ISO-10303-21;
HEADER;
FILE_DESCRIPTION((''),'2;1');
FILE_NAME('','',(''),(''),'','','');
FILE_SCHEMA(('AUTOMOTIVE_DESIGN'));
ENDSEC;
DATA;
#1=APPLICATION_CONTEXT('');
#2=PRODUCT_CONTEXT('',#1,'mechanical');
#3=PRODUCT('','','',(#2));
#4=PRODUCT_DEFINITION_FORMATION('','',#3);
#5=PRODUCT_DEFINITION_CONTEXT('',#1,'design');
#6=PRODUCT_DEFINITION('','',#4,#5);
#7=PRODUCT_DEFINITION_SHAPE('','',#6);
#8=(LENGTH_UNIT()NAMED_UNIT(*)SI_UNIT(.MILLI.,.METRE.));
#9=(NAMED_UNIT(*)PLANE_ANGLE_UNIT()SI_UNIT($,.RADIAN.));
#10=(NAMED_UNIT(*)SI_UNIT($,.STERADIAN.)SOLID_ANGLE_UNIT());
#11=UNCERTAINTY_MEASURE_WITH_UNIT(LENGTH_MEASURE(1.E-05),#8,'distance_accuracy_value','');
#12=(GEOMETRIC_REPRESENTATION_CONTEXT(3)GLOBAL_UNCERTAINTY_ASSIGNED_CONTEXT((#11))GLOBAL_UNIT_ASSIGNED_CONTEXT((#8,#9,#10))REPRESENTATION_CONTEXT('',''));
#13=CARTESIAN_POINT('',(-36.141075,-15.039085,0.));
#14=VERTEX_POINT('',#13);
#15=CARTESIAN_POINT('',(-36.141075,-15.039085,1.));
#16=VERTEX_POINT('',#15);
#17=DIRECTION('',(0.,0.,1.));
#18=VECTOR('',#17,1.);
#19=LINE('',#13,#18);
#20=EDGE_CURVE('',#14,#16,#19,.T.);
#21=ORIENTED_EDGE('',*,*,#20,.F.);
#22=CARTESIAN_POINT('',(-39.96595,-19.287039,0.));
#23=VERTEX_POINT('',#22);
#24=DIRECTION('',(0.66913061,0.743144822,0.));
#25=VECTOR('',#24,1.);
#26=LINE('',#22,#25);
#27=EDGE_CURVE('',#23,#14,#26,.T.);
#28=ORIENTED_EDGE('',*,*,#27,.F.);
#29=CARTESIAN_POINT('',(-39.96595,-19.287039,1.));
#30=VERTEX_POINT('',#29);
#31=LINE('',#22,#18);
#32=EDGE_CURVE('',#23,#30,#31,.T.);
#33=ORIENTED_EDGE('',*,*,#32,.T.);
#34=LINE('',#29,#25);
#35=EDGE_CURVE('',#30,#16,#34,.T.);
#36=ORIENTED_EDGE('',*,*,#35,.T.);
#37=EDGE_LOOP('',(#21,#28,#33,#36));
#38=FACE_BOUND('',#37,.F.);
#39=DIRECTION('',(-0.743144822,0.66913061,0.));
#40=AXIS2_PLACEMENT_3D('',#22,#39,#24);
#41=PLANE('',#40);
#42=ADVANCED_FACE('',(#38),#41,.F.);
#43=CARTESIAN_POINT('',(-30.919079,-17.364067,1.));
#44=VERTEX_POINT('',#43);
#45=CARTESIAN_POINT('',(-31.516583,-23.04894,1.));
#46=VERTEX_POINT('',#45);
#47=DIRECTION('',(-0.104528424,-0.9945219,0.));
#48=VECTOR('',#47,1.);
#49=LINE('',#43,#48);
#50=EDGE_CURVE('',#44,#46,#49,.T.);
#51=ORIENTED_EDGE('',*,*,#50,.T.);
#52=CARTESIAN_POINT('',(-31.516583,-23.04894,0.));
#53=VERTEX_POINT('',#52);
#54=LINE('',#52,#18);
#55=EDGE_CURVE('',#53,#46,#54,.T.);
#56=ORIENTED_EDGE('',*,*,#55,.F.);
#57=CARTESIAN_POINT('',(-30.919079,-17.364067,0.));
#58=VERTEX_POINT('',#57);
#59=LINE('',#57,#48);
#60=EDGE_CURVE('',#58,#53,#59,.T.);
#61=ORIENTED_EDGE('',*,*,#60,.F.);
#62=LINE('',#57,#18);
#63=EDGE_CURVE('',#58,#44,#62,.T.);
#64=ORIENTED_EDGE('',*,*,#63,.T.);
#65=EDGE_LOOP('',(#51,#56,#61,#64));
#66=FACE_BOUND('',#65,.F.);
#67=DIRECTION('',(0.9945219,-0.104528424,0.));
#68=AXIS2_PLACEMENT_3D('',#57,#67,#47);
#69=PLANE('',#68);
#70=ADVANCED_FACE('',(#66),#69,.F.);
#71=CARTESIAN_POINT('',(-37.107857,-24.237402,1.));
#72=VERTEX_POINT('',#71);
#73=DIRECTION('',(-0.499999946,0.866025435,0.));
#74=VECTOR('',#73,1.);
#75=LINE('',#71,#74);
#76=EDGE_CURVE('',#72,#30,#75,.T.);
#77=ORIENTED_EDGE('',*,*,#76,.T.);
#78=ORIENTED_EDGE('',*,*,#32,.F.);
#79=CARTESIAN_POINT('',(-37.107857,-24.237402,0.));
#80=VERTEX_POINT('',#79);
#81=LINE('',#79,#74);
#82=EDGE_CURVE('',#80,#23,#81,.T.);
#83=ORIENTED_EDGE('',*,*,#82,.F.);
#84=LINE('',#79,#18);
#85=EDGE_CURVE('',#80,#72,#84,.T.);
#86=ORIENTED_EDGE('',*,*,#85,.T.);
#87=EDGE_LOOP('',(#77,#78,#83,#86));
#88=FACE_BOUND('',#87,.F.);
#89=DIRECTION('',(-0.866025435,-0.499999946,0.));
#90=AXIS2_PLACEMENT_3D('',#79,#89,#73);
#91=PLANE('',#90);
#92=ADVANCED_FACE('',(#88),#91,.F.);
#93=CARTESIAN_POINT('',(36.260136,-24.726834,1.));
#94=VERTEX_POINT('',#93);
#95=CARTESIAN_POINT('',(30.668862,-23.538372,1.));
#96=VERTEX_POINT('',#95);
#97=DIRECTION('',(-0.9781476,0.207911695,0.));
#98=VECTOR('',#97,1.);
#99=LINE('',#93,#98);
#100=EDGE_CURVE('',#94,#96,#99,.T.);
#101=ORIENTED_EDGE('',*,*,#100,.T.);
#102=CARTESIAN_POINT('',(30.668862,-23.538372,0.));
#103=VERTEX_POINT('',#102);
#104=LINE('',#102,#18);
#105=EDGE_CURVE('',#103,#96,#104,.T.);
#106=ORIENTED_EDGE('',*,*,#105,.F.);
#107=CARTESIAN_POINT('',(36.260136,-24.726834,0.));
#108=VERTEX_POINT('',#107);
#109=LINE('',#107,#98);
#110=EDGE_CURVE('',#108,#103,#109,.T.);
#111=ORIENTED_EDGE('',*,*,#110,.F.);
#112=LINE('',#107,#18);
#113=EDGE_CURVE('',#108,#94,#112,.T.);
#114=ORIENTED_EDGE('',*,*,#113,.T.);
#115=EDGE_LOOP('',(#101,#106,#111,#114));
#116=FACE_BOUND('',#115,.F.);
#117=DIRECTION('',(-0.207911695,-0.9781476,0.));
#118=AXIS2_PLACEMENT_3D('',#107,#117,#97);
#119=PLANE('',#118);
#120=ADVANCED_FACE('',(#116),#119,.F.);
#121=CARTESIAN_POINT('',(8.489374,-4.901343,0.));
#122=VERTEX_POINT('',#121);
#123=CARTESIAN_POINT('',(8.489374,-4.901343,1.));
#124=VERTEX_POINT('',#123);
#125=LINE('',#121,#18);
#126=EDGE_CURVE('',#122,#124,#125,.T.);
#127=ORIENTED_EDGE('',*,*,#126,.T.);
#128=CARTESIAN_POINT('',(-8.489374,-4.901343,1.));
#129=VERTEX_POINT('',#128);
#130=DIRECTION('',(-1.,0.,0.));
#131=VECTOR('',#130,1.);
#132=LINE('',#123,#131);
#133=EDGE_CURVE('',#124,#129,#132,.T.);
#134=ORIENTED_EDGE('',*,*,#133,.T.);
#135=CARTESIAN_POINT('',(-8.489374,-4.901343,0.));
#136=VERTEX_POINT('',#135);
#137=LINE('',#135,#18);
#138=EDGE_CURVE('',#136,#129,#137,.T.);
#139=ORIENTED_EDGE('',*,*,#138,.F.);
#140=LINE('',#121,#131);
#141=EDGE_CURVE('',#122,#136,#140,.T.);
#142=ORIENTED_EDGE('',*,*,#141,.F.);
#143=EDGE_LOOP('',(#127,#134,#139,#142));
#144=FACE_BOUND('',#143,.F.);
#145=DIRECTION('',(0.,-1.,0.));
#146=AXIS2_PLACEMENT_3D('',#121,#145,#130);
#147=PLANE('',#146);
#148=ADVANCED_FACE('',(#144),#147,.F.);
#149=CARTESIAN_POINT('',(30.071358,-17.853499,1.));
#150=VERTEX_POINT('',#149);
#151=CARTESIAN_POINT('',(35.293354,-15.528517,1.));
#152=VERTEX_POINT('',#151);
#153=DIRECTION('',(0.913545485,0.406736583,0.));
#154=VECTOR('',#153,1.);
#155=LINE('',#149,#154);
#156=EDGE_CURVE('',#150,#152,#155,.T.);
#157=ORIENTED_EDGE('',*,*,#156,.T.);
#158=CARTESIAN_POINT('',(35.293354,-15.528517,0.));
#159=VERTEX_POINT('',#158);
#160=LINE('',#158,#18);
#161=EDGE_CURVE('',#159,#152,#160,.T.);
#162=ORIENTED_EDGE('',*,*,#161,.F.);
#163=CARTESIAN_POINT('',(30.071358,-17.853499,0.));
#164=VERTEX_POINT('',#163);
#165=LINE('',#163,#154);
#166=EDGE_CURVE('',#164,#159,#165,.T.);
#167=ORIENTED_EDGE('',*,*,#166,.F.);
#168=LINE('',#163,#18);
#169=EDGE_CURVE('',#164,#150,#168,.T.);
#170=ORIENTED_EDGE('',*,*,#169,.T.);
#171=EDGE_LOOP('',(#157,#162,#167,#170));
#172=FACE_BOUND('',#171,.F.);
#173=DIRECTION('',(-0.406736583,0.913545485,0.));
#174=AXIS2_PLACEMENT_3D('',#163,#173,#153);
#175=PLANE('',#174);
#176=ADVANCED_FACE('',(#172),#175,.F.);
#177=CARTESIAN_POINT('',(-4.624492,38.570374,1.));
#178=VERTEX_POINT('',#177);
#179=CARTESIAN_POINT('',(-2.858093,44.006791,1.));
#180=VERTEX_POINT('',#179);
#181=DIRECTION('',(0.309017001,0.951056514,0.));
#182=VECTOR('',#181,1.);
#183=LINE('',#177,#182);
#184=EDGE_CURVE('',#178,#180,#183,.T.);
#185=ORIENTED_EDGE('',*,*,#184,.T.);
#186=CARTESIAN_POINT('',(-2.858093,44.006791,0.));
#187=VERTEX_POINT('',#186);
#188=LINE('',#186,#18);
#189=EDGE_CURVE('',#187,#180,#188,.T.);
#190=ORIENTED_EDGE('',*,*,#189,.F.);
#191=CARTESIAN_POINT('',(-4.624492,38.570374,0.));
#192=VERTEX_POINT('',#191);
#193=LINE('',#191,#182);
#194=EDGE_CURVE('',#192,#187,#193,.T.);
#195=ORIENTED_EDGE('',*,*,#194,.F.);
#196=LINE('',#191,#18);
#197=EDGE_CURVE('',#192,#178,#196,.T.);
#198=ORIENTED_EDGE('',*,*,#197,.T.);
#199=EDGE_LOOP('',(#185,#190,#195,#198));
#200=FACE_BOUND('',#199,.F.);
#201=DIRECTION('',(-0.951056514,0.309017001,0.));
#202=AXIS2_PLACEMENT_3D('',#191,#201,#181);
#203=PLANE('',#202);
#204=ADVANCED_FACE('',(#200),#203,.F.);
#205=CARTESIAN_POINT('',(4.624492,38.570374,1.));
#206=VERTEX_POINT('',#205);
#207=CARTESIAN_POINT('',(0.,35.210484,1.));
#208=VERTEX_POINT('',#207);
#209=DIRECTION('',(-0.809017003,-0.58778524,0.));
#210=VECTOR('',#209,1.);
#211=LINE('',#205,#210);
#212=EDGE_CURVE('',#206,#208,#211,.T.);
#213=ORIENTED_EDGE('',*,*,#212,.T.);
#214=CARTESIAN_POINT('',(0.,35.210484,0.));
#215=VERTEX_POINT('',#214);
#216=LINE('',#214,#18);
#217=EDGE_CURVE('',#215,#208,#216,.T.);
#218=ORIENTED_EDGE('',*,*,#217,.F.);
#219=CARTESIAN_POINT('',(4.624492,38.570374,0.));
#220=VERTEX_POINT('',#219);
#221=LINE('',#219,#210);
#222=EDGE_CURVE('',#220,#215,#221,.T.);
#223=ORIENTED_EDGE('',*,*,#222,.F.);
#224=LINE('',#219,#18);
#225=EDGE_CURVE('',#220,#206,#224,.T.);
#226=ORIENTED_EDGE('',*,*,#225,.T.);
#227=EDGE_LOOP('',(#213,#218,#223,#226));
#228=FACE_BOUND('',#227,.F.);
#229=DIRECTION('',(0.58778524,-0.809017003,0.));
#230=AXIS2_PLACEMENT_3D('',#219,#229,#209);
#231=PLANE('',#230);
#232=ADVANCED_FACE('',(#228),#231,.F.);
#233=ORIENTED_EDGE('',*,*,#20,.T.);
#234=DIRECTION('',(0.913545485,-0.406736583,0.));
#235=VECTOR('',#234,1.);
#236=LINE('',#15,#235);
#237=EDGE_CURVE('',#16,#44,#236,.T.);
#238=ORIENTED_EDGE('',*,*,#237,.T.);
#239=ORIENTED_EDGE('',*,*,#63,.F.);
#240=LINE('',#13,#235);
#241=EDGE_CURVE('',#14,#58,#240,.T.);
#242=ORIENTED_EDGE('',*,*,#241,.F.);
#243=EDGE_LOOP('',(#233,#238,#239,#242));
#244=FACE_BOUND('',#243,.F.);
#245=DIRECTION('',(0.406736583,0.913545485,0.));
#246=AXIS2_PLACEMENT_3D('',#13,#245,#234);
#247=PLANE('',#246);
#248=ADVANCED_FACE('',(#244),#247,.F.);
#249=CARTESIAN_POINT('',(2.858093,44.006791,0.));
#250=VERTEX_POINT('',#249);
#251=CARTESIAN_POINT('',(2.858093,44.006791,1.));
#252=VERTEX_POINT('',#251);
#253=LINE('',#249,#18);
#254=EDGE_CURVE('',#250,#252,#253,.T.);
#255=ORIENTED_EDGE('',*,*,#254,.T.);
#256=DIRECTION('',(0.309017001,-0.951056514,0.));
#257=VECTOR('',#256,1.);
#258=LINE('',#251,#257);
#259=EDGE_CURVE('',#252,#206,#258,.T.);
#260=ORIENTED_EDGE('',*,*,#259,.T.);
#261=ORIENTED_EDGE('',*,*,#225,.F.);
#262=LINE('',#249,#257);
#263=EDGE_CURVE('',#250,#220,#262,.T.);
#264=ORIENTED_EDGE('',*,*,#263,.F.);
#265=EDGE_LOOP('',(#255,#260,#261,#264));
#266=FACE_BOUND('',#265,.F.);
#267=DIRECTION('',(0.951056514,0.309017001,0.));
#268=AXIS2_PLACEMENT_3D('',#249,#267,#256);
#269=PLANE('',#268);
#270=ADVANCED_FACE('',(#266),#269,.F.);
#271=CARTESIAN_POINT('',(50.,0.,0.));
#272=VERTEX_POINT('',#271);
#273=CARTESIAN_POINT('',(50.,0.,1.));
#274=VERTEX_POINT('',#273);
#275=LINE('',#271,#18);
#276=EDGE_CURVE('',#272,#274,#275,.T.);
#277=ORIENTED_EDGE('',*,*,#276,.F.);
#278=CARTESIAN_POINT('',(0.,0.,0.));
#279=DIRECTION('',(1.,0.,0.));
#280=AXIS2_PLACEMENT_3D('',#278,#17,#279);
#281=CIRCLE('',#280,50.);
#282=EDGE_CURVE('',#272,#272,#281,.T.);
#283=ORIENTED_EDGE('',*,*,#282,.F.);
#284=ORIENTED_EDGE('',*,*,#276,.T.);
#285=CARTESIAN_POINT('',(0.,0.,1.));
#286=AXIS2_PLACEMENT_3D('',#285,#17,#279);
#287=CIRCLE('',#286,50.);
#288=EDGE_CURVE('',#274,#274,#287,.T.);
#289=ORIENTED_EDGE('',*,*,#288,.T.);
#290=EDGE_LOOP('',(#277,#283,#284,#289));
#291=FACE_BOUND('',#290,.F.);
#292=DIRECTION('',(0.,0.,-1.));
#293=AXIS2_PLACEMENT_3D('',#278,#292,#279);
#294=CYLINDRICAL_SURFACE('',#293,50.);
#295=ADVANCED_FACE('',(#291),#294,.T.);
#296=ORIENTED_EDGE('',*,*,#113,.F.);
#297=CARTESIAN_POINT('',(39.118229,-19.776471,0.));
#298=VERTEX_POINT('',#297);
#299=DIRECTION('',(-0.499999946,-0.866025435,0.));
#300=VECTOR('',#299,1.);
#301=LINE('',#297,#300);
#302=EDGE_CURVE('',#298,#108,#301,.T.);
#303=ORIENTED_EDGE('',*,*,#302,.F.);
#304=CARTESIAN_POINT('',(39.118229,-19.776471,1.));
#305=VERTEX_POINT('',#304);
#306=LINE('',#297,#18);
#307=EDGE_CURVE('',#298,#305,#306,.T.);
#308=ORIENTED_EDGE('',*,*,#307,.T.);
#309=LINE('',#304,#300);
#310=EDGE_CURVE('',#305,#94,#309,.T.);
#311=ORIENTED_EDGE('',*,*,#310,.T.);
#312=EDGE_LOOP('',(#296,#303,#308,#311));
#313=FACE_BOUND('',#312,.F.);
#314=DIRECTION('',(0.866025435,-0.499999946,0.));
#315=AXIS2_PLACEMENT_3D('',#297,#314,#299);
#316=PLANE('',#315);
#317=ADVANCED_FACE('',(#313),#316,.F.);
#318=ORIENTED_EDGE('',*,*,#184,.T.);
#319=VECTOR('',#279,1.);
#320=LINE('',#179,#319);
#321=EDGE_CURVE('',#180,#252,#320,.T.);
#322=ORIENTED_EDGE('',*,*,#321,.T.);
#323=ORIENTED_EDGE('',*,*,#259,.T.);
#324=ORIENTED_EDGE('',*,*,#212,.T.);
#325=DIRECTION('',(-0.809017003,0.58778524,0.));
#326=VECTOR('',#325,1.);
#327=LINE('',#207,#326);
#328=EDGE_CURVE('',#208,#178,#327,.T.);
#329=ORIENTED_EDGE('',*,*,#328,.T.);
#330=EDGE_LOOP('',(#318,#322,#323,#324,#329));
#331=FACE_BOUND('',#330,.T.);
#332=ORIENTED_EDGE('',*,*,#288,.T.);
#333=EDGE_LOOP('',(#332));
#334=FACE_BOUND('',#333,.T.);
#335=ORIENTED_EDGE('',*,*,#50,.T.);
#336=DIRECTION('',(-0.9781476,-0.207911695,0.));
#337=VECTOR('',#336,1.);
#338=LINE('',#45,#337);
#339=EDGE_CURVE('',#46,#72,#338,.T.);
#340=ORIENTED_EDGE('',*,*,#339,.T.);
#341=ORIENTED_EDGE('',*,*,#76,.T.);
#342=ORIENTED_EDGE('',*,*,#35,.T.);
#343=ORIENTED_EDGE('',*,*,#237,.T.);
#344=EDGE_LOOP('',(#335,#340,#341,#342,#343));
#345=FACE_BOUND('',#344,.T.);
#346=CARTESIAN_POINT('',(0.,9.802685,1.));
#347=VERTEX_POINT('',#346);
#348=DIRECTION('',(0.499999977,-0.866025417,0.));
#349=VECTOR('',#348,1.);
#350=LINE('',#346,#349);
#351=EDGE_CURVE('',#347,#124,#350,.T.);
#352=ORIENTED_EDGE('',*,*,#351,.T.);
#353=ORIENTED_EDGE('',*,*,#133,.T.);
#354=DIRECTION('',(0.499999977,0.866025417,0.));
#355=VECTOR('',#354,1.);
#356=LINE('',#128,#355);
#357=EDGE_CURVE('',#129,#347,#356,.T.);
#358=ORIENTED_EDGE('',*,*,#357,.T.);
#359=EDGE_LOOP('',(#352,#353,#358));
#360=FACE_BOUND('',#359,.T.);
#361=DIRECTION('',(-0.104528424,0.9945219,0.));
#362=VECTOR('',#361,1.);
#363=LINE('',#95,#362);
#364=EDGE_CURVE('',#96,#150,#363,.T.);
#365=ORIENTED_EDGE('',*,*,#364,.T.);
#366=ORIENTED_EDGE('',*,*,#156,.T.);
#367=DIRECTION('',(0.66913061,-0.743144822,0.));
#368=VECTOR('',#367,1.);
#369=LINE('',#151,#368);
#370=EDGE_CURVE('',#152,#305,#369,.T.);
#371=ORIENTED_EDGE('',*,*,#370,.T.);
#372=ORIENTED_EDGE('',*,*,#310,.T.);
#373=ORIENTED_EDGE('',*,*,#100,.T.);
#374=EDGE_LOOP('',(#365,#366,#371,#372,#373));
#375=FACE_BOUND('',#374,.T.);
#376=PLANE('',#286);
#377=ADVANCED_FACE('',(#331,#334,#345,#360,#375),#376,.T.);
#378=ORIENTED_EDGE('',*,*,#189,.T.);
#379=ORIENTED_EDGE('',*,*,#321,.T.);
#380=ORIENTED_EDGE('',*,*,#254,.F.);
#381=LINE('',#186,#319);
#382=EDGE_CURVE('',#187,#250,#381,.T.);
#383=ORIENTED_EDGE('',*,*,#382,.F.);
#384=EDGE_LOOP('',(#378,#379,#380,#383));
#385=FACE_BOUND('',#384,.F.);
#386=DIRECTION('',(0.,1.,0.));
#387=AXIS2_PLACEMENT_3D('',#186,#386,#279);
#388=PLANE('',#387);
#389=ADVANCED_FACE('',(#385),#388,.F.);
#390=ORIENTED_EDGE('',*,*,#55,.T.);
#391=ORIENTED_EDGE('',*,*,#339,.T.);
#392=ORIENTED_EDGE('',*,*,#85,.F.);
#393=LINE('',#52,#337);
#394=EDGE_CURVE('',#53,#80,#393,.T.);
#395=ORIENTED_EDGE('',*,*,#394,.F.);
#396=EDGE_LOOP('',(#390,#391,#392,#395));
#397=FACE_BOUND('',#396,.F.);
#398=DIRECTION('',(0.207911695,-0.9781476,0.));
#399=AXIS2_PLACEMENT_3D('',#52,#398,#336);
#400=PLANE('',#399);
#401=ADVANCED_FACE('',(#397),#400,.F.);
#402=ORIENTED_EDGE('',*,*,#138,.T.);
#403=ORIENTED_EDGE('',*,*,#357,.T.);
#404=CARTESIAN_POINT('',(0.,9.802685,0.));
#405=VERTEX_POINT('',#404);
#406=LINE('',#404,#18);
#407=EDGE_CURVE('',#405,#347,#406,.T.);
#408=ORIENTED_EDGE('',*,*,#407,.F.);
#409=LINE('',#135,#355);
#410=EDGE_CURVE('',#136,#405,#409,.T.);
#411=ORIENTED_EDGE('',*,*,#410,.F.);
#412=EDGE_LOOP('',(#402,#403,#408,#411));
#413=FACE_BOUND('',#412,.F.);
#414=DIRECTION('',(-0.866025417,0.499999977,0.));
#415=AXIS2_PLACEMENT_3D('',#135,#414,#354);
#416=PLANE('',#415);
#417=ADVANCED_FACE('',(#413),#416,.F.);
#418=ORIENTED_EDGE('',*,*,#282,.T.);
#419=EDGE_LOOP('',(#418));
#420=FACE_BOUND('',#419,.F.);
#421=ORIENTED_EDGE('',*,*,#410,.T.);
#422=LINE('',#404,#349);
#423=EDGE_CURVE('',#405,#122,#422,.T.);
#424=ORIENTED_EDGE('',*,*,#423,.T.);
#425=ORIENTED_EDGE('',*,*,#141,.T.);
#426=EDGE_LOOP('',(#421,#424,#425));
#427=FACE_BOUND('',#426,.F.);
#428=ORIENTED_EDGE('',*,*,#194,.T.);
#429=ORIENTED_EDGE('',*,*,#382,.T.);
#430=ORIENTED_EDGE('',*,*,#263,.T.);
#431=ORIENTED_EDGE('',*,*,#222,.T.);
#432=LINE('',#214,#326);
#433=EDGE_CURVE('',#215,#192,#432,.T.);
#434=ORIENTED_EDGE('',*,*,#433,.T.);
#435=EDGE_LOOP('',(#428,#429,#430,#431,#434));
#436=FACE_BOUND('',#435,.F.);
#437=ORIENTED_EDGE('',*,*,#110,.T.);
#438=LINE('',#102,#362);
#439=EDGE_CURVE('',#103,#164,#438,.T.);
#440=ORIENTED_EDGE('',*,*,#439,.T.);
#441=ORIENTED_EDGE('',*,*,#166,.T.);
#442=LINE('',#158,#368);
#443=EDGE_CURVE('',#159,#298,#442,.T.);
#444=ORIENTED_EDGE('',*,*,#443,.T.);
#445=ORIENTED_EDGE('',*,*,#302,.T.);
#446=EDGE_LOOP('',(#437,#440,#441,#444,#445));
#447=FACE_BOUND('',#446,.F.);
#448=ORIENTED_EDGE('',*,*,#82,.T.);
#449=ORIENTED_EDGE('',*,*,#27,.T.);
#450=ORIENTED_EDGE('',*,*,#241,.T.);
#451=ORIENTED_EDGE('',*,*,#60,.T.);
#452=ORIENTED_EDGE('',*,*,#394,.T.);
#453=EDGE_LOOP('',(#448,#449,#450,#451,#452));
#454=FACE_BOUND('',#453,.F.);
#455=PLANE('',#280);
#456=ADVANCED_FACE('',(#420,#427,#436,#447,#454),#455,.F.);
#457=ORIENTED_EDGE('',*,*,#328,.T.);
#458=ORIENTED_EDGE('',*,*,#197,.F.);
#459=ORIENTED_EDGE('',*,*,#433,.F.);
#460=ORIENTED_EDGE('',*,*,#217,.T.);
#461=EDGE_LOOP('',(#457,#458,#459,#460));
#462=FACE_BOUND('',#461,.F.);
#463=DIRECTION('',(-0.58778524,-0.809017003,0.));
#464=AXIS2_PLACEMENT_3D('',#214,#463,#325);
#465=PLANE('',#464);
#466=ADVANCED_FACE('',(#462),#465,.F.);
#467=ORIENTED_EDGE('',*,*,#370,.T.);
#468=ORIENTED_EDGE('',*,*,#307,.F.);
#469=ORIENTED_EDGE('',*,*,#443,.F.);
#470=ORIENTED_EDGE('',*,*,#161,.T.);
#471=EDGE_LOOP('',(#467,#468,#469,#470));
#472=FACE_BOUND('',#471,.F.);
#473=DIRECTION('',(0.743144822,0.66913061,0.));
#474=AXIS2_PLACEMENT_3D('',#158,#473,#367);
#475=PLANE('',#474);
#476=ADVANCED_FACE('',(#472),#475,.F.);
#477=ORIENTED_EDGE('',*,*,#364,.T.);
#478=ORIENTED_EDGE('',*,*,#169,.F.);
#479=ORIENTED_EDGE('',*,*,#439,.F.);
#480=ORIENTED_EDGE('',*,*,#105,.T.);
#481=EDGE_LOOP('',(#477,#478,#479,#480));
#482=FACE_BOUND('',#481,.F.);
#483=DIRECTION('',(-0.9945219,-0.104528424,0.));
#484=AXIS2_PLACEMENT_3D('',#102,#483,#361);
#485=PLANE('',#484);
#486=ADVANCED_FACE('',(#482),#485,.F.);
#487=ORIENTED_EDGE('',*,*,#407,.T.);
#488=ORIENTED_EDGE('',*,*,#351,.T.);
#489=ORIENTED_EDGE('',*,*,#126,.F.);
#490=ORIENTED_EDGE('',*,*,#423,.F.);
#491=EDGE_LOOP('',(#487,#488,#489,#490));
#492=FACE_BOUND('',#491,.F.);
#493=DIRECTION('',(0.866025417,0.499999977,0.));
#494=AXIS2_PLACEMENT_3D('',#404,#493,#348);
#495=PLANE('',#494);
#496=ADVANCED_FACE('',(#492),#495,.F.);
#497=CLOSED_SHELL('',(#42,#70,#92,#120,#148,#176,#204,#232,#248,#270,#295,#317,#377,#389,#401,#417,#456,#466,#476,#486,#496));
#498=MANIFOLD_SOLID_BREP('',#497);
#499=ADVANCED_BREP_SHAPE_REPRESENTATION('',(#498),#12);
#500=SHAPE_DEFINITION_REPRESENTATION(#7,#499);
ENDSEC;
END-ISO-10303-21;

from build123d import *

# Parameters (mm, degrees)
F0_R     = 50
F1_DEPTH = 1


with BuildPart() as f1:
    # F0 (on Top) → F1 (new body)
    with BuildSketch(Plane.XY):
        Circle(F0_R)
        Polygon((-39.96595, -19.287039), (-36.141075, -15.039085), (-30.919079, -17.364067), (-31.516583, -23.04894), (-37.107857, -24.237402), align=None, mode=Mode.SUBTRACT)
        Polygon((36.260136, -24.726834), (30.668862, -23.538372), (30.071358, -17.853499), (35.293354, -15.528517), (39.118229, -19.776471), align=None, mode=Mode.SUBTRACT)
        Polygon((2.858093, 44.006791), (4.624492, 38.570374), (0, 35.210484), (-4.624492, 38.570374), (-2.858093, 44.006791), align=None, mode=Mode.SUBTRACT)
        Polygon((8.489374, -4.901343), (-8.489374, -4.901343), (0, 9.802685), align=None, mode=Mode.SUBTRACT)
    extrude(amount=F1_DEPTH)


solid = f1.part
